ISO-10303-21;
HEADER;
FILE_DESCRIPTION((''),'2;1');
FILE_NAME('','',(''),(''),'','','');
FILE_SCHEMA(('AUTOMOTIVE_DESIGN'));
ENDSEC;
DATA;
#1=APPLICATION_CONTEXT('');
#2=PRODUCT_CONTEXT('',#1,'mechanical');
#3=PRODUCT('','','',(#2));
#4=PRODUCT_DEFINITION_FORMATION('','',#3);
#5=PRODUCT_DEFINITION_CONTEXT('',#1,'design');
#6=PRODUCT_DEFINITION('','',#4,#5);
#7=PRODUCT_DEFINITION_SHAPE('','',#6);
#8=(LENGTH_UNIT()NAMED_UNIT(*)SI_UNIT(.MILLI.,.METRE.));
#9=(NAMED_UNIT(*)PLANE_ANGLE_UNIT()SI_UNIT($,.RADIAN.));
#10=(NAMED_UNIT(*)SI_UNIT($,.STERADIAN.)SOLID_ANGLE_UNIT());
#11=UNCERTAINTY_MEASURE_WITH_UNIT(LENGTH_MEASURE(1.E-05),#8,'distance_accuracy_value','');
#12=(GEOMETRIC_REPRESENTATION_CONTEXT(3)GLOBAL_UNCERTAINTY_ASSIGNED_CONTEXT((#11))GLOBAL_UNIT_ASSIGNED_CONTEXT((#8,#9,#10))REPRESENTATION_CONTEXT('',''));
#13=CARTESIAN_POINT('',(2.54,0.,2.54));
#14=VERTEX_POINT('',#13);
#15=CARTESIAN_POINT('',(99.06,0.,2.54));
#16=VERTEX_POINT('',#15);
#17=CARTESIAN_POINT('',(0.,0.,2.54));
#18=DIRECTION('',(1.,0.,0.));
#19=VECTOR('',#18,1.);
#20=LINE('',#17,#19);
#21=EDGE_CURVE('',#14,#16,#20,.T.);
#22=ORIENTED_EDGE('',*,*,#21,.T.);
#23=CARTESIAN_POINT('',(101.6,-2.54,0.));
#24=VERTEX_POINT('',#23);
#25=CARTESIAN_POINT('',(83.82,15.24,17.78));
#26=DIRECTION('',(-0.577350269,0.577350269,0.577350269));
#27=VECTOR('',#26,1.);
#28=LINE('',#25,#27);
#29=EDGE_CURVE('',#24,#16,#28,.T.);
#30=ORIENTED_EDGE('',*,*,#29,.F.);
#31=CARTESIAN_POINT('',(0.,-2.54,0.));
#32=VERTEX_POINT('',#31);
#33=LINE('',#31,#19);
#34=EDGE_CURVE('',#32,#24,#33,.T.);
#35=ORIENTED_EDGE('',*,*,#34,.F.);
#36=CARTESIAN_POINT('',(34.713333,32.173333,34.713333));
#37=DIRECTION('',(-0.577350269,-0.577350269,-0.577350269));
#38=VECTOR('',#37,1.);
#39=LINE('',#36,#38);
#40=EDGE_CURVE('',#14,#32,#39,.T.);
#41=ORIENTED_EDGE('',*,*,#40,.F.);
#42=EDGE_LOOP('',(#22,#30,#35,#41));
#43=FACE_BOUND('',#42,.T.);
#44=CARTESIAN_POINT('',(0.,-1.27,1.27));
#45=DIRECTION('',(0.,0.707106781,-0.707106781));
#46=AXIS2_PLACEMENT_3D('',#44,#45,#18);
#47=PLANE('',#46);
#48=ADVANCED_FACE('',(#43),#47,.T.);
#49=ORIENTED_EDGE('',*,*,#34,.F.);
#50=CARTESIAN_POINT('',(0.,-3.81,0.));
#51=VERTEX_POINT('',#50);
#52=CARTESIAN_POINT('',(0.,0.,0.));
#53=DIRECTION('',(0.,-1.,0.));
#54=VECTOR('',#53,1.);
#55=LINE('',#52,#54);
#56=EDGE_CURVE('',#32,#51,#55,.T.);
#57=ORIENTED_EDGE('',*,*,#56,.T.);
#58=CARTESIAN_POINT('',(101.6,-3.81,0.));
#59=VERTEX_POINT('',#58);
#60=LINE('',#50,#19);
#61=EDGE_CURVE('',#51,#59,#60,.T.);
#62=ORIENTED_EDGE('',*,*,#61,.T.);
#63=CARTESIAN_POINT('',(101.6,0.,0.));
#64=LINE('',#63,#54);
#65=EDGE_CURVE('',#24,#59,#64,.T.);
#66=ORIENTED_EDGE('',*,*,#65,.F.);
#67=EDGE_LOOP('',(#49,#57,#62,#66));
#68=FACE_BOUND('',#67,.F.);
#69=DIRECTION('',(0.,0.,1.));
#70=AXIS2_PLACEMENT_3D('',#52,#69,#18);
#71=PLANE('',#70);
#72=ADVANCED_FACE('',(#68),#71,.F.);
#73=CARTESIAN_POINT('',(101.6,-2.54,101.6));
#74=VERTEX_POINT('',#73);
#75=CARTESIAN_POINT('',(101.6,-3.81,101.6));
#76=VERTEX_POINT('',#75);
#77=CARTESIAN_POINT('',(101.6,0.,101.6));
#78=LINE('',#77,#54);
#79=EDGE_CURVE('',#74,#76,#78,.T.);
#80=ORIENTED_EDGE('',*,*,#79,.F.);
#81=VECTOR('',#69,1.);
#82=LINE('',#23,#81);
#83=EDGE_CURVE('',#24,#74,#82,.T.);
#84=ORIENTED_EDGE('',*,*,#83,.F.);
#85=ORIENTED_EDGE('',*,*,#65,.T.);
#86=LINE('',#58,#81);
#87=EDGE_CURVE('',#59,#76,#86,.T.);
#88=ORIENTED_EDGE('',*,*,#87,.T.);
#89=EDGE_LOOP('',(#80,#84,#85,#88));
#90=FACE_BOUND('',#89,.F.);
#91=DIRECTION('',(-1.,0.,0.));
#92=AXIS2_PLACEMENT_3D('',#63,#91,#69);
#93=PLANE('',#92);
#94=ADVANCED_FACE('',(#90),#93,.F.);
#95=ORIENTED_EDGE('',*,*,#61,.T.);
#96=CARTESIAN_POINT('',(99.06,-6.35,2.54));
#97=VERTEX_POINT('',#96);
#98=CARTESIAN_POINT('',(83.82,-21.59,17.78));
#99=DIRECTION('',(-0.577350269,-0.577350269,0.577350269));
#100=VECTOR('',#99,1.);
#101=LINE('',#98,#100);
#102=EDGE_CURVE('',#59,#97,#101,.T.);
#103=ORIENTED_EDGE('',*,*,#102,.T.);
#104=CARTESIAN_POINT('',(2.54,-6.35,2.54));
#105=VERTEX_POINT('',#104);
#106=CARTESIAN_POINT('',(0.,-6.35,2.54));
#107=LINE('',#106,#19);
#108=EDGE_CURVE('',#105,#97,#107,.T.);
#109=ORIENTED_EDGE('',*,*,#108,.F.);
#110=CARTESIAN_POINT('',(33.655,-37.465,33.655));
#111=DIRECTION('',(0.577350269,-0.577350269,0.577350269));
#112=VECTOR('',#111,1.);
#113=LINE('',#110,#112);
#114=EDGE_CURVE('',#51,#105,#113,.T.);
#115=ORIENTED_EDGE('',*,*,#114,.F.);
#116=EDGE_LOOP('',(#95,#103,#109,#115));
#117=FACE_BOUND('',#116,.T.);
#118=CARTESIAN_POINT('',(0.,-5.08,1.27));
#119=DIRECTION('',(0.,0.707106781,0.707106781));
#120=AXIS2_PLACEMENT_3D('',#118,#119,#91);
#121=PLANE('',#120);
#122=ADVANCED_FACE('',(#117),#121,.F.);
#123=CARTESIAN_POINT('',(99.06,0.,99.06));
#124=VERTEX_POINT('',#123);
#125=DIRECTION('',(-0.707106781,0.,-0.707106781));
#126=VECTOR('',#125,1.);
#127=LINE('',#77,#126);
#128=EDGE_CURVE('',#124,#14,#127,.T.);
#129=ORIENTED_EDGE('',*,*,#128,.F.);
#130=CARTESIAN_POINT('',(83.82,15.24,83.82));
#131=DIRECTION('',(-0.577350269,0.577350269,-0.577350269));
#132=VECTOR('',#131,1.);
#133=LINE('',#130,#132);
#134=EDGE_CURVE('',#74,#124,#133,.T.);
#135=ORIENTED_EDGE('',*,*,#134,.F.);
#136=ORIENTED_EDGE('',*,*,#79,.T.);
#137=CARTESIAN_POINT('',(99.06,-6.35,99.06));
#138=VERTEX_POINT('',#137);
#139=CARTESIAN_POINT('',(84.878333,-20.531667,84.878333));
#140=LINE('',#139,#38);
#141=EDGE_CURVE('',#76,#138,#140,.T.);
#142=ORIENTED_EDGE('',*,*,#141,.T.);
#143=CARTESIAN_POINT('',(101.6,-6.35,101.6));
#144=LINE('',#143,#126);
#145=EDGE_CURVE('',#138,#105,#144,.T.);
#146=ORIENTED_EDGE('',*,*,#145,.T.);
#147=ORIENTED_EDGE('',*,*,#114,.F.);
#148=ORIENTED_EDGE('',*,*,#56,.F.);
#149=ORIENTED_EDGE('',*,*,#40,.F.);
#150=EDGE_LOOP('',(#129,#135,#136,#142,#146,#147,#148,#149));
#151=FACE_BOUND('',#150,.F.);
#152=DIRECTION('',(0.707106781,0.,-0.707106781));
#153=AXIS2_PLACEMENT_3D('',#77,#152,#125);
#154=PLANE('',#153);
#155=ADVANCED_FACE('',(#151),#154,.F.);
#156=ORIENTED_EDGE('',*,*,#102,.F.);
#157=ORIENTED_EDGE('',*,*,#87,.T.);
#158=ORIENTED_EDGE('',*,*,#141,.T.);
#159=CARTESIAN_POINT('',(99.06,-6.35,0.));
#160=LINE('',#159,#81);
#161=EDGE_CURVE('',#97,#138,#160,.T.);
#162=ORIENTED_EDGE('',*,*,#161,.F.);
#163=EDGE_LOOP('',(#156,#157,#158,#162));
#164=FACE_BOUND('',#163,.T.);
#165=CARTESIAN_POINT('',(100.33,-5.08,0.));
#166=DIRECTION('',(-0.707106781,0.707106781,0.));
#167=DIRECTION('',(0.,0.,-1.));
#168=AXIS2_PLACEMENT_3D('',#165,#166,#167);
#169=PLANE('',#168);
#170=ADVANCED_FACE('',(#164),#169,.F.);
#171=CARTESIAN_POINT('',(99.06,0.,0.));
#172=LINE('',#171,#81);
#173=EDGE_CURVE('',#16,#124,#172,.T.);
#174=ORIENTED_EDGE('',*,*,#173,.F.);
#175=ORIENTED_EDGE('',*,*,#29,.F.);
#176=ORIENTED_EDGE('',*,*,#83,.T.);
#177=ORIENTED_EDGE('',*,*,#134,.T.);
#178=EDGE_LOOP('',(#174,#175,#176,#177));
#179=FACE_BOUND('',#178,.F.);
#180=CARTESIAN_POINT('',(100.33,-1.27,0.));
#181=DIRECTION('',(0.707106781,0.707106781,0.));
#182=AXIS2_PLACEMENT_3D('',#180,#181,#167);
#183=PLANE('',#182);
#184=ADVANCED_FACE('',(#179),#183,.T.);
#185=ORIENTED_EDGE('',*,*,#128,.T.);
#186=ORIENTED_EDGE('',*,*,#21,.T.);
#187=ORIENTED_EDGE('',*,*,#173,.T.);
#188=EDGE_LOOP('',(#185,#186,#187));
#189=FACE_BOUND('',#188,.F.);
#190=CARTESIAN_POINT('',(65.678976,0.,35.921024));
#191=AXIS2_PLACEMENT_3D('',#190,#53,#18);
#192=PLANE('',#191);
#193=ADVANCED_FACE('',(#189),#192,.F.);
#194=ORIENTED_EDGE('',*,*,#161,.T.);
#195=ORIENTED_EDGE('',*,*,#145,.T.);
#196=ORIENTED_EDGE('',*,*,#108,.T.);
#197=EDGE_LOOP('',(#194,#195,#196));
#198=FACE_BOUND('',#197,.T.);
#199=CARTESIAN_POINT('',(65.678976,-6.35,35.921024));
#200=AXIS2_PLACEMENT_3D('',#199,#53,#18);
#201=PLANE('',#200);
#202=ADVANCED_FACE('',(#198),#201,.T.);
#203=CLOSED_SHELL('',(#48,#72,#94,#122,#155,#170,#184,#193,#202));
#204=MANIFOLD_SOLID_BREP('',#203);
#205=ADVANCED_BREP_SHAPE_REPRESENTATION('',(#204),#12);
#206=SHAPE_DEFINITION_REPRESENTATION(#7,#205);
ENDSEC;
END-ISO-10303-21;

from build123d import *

# Parameters (mm, degrees)
F1_DEPTH = 6.35
F2_SIZE  = 2.54
F3_SIZE  = 2.54


with BuildPart() as f1:
    # F0 (on Front) → F1 (new body)
    with BuildSketch(Plane.XZ):
        Polygon((101.6, 101.6), (0, 0), (101.6, 0), align=None)
    extrude(amount=F1_DEPTH)

    # F2
    f2_edges = [f1.edges().sort_by_distance(p)[0] for p in [
        (101.6, -6.35, 50.8),
        (50.8, -6.35, 0),
    ]]
    chamfer(f2_edges, length=F2_SIZE)

    # F3
    f3_edges = [f1.edges().sort_by_distance(p)[0] for p in [
        (101.6, 0, 50.8),
        (50.8, 0, 0),
    ]]
    chamfer(f3_edges, length=F3_SIZE)


solid = f1.part
